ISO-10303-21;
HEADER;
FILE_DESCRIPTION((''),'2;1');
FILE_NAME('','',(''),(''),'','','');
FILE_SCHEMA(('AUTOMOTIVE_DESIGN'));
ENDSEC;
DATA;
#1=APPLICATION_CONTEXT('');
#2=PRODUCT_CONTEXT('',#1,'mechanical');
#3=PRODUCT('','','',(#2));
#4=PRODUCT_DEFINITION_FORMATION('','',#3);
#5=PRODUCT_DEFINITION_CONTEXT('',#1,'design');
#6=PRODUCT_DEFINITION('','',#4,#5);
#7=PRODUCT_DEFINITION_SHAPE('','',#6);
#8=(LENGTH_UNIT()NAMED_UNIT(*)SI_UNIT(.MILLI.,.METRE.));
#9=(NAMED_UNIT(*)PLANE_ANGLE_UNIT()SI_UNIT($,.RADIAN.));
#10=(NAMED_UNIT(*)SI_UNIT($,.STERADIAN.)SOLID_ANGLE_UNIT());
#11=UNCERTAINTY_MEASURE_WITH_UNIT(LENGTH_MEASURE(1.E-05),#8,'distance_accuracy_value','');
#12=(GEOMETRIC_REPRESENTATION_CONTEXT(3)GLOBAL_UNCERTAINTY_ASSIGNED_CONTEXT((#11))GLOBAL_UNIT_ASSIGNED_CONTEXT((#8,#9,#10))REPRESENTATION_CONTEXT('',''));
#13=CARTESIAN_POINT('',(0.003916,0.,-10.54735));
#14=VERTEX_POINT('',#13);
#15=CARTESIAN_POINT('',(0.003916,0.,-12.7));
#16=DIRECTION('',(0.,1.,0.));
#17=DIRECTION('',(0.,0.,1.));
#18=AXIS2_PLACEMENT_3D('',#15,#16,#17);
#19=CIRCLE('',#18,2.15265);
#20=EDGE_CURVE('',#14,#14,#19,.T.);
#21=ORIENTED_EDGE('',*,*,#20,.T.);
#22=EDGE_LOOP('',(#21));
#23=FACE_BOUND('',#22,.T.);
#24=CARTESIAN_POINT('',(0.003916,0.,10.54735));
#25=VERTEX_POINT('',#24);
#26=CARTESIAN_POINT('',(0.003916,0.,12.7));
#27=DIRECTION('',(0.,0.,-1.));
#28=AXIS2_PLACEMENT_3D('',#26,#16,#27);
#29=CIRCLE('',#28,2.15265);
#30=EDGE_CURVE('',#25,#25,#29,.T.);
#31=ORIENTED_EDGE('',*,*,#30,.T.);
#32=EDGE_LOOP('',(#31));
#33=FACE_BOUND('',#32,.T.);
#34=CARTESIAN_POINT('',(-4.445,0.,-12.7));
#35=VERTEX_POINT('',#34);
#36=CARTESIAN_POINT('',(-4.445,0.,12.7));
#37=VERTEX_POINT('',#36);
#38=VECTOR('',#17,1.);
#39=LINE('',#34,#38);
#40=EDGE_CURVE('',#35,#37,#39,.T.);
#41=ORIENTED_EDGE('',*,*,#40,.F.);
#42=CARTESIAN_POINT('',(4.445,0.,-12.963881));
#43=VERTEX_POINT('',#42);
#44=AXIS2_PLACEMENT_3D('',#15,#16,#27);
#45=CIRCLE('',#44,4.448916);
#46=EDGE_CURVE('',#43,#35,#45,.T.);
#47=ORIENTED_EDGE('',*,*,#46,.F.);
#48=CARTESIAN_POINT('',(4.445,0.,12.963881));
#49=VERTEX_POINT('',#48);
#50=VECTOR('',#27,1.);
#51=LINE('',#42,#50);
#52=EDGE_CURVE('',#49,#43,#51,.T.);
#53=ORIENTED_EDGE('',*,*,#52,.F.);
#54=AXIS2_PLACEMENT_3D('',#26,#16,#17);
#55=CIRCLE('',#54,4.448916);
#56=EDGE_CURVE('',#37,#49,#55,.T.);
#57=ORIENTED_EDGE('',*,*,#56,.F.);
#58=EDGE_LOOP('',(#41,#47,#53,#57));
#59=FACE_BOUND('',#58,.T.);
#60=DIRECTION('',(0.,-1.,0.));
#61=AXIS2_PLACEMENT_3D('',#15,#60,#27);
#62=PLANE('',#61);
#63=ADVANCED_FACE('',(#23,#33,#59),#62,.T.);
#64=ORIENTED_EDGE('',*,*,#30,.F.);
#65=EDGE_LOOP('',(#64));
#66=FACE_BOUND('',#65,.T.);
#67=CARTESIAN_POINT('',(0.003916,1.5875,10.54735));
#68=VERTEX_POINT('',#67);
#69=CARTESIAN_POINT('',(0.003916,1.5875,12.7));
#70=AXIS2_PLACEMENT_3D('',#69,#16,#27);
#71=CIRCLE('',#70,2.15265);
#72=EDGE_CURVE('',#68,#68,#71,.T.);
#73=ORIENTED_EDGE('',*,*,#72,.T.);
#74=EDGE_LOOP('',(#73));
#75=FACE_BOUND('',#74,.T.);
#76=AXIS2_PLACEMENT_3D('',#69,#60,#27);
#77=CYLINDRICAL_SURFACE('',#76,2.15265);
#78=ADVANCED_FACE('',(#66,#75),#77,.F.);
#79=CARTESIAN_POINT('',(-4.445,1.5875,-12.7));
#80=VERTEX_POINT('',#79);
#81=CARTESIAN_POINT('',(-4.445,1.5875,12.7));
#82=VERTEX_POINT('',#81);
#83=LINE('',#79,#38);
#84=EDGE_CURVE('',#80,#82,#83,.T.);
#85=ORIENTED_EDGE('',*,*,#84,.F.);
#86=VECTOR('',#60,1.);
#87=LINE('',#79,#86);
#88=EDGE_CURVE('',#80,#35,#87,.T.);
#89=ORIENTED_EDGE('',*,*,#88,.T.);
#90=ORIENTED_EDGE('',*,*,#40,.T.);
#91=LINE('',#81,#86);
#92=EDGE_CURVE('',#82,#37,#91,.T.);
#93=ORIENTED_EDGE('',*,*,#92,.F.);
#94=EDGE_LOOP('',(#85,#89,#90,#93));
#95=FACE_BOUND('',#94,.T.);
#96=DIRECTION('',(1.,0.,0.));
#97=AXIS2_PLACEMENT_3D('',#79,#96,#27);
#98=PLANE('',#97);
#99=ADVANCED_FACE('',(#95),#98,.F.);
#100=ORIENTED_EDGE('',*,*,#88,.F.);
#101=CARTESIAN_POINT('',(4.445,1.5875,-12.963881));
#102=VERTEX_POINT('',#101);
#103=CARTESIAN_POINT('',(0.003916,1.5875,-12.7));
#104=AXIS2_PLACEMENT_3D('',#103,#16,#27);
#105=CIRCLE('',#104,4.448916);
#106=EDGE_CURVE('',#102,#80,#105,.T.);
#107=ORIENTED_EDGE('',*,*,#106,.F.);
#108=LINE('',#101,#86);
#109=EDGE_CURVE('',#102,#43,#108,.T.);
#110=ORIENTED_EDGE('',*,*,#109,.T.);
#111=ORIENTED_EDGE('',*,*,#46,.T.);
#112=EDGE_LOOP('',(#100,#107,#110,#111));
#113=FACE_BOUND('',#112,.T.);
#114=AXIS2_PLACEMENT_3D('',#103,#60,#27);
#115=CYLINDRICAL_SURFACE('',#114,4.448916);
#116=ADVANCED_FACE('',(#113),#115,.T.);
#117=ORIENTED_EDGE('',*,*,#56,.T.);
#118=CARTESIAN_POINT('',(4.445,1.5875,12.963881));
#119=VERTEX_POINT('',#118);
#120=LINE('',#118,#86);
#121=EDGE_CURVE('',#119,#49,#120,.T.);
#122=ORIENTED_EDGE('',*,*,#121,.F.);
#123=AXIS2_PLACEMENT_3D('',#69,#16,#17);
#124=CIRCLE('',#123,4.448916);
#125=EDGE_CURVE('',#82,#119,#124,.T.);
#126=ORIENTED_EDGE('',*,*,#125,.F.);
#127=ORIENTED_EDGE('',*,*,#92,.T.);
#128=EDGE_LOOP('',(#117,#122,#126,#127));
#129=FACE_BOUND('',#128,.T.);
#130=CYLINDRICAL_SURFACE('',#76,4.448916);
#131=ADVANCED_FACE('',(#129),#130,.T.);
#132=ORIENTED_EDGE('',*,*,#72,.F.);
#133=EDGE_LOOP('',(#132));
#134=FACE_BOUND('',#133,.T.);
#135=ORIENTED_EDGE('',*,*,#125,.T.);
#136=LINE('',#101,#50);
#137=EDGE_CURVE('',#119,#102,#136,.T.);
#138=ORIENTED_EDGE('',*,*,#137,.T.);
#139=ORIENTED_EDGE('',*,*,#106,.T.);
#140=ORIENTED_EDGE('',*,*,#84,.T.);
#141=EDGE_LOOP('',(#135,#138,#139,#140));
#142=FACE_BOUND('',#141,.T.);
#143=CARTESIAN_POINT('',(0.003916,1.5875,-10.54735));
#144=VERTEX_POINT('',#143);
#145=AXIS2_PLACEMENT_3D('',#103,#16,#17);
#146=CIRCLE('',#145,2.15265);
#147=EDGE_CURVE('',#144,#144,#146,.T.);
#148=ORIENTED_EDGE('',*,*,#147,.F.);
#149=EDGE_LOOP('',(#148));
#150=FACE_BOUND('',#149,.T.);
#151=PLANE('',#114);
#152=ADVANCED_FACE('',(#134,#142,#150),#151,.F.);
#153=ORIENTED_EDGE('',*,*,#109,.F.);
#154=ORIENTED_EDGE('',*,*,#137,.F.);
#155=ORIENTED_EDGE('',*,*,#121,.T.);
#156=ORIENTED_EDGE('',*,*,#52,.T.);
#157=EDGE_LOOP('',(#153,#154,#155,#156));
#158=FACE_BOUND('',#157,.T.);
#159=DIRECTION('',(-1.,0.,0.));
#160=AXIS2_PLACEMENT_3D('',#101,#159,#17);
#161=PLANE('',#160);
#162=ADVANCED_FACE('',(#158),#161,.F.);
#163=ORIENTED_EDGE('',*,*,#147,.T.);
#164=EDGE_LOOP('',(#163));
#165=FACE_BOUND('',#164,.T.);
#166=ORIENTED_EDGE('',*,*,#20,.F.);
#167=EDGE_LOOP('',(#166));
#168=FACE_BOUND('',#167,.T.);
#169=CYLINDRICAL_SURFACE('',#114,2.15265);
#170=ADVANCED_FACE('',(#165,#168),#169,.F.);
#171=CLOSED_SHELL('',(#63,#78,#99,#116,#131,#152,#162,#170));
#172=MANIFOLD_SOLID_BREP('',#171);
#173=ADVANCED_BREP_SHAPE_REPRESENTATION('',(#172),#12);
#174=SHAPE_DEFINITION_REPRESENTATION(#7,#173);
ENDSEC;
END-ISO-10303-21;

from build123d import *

# Parameters (mm, degrees)
SKETCH1_R           = 2.15265
BOSS_EXTRUDE1_DEPTH = 1.5875


with BuildPart() as part:
    # Sketch1 → Boss-Extrude1 (new body)
    with BuildSketch(Plane(origin=(0, 0, 0), x_dir=(1, 0, 0), z_dir=(0, 1, 0))):
        with BuildLine():
            Line((-4.445, 12.7), (-4.445, -12.7))
            ThreePointArc((-4.445, -12.7), (-0.128082185, -17.146957756), (4.445, -12.963880894))
            Line((4.445, -12.963880894), (4.445, 12.963880894))
            ThreePointArc((4.445, 12.963880894), (-0.128082185, 17.146957756), (-4.445, 12.7))
        make_face()
        with Locations((0.003916374, 12.7)):
            Circle(SKETCH1_R, mode=Mode.SUBTRACT)
        with Locations((0.003916374, -12.7)):
            Circle(SKETCH1_R, mode=Mode.SUBTRACT)
    extrude(amount=BOSS_EXTRUDE1_DEPTH)


solid = part.part
